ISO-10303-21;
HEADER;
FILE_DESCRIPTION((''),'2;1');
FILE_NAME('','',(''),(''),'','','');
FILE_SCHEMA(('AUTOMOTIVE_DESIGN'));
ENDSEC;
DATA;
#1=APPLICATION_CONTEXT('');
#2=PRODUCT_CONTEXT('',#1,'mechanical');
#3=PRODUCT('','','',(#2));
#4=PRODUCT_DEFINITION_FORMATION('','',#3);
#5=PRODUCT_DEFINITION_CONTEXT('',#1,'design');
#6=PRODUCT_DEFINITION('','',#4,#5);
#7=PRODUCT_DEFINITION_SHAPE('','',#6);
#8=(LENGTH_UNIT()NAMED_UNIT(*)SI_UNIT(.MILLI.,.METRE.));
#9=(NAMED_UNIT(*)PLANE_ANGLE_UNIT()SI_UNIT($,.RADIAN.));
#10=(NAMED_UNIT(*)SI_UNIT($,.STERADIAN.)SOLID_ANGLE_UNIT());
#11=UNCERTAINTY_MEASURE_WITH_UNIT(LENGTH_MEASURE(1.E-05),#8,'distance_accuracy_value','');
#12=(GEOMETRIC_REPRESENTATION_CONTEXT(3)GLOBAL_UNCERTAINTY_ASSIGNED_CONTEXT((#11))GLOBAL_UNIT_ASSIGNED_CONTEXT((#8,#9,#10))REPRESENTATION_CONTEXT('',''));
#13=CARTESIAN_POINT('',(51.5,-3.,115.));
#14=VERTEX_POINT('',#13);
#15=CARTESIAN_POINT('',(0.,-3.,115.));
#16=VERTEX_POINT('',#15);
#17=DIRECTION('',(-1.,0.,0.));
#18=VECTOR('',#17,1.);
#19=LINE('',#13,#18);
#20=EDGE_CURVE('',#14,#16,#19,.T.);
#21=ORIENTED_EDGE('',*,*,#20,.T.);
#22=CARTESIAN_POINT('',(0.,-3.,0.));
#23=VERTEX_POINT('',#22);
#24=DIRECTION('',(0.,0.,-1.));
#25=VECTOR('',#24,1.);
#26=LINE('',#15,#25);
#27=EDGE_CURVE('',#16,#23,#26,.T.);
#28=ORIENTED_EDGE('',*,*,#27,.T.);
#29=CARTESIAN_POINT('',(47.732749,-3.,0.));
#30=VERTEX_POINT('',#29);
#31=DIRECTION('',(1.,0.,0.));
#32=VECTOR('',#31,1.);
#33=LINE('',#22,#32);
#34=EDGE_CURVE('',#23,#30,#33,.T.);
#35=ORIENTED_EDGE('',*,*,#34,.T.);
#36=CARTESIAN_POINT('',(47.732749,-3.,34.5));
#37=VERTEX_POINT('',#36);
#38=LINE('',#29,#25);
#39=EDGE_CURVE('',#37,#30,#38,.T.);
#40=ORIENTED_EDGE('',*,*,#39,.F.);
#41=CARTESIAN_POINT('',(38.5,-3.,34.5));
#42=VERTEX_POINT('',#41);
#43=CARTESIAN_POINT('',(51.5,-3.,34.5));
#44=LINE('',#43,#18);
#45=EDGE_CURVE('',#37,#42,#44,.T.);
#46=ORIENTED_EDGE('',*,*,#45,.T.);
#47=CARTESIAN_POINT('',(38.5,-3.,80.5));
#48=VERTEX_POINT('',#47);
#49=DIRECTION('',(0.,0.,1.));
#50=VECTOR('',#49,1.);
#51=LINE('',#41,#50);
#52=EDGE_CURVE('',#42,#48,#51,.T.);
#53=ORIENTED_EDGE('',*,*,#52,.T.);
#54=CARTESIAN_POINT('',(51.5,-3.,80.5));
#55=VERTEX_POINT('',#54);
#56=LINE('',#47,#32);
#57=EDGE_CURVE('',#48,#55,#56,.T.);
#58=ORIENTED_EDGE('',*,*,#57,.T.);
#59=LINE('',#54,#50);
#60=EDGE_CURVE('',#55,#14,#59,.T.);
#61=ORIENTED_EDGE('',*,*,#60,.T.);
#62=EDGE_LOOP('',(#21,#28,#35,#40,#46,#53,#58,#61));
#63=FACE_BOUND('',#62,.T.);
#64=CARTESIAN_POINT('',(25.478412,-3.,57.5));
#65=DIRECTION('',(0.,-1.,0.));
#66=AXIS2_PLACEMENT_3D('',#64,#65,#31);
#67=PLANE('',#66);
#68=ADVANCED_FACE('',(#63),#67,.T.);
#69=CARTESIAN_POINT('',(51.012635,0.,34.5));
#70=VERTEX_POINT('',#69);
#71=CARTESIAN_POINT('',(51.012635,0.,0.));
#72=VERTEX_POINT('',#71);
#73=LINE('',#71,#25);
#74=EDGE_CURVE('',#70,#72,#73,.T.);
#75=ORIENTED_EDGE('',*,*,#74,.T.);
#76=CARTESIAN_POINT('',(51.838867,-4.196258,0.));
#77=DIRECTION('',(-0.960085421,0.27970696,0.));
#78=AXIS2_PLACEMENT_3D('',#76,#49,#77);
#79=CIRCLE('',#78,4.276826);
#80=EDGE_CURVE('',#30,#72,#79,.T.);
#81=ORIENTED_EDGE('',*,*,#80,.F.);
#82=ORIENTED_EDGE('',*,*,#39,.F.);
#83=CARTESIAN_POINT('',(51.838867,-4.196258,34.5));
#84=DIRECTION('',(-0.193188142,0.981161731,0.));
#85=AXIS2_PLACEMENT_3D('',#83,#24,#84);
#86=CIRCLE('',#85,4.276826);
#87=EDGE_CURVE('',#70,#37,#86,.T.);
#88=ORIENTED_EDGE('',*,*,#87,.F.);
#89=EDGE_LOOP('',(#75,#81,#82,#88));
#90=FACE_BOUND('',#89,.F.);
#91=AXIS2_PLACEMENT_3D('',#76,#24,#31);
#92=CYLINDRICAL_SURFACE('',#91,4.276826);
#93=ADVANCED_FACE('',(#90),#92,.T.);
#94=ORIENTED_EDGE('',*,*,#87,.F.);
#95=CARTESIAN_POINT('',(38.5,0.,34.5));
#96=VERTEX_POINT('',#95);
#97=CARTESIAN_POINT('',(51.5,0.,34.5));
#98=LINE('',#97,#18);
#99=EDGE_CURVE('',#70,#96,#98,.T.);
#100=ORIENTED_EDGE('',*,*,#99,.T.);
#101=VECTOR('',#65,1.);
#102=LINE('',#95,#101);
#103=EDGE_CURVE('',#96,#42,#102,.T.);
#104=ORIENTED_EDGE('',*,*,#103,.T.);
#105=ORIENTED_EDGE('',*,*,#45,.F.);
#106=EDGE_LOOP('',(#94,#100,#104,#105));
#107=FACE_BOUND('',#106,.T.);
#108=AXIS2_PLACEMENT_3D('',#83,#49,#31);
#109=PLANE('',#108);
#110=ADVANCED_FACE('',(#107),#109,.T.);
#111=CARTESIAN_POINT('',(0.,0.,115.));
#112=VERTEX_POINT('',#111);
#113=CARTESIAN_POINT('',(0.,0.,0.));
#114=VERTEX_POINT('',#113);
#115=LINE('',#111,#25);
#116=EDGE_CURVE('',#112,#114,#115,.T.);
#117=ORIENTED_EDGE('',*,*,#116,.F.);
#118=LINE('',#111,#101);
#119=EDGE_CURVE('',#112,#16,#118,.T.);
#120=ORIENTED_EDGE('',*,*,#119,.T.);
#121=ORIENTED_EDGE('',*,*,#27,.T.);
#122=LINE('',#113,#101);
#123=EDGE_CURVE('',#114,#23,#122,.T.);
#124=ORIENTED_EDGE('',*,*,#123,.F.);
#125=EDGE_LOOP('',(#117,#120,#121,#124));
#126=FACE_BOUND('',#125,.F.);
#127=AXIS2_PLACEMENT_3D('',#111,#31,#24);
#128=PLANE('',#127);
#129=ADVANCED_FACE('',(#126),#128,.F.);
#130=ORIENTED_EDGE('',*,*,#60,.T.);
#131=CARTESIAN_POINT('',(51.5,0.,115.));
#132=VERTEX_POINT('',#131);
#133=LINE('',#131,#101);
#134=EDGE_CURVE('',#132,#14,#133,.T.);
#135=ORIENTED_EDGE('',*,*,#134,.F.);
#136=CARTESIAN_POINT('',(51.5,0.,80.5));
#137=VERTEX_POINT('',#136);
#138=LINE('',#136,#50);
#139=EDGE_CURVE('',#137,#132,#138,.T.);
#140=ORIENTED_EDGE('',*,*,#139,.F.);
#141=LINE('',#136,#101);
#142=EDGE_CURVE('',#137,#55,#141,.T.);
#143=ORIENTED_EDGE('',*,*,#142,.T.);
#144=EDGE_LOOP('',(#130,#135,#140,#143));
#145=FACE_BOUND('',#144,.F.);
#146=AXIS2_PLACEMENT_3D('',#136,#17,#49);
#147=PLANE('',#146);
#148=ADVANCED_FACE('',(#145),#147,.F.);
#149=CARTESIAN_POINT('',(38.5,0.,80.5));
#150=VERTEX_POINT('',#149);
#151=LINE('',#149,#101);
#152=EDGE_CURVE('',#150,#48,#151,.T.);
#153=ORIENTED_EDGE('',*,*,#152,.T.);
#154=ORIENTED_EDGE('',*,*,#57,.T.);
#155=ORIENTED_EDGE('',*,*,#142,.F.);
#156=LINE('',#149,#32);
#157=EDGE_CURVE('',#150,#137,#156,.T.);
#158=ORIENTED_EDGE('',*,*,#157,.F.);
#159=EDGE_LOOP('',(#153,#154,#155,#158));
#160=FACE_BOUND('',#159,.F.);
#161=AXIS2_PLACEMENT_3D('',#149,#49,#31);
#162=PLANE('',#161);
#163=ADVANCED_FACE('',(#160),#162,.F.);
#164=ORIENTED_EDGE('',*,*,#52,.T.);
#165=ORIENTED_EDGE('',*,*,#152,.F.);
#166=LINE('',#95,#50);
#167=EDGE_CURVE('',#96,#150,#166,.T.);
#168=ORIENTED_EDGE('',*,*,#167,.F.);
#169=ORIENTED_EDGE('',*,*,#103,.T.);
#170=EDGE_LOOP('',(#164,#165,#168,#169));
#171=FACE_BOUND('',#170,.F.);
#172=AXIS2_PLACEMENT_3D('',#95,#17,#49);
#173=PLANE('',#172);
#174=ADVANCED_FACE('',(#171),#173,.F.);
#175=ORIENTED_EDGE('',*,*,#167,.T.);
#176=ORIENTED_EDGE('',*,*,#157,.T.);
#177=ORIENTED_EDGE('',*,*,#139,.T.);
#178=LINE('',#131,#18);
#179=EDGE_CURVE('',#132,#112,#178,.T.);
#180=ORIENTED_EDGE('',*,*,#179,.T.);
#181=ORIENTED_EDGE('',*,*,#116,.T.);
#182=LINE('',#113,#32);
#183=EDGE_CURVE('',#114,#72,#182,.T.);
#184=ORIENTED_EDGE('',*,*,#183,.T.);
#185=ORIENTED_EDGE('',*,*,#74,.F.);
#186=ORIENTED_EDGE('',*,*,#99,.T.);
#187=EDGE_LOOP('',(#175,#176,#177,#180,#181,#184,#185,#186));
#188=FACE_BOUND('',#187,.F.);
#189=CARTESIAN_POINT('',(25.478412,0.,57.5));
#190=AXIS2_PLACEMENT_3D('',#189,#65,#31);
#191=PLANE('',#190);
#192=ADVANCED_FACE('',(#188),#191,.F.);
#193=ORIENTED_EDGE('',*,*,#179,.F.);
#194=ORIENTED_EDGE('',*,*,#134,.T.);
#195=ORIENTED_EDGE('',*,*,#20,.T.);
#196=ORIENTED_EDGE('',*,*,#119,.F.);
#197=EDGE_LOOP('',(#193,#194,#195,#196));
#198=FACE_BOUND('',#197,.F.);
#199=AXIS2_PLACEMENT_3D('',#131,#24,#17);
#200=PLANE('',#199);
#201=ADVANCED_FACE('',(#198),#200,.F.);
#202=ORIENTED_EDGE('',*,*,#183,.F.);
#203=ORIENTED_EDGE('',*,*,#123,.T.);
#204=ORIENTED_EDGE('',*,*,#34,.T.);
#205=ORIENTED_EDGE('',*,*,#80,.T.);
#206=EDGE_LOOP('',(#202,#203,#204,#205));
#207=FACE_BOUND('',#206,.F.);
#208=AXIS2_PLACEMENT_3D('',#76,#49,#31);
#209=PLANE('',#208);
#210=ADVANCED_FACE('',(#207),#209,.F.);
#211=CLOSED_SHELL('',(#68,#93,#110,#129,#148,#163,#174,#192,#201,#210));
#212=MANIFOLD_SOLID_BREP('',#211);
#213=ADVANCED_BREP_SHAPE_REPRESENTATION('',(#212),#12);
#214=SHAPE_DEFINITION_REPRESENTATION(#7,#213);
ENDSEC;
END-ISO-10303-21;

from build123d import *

# Parameters (mm, degrees)
F1_DEPTH = 3
F2_R     = 4.276826
F3_DEPTH = 34.5


with BuildPart() as f1:
    # F0 (on Front) → F1 (new body)
    with BuildSketch(Plane.XZ):
        Polygon((0, 115), (0, 0), (51.5, 0), (51.5, 34.5), (38.5, 34.5), (38.5, 80.5), (51.5, 80.5), (51.5, 115), align=None)
    extrude(amount=F1_DEPTH)

    # F2 (on Top) → F3 (join)
    with BuildSketch(Plane.XY):
        with Locations((51.838867, -4.196258)):
            Circle(F2_R)
    extrude(amount=F3_DEPTH)


solid = f1.part
